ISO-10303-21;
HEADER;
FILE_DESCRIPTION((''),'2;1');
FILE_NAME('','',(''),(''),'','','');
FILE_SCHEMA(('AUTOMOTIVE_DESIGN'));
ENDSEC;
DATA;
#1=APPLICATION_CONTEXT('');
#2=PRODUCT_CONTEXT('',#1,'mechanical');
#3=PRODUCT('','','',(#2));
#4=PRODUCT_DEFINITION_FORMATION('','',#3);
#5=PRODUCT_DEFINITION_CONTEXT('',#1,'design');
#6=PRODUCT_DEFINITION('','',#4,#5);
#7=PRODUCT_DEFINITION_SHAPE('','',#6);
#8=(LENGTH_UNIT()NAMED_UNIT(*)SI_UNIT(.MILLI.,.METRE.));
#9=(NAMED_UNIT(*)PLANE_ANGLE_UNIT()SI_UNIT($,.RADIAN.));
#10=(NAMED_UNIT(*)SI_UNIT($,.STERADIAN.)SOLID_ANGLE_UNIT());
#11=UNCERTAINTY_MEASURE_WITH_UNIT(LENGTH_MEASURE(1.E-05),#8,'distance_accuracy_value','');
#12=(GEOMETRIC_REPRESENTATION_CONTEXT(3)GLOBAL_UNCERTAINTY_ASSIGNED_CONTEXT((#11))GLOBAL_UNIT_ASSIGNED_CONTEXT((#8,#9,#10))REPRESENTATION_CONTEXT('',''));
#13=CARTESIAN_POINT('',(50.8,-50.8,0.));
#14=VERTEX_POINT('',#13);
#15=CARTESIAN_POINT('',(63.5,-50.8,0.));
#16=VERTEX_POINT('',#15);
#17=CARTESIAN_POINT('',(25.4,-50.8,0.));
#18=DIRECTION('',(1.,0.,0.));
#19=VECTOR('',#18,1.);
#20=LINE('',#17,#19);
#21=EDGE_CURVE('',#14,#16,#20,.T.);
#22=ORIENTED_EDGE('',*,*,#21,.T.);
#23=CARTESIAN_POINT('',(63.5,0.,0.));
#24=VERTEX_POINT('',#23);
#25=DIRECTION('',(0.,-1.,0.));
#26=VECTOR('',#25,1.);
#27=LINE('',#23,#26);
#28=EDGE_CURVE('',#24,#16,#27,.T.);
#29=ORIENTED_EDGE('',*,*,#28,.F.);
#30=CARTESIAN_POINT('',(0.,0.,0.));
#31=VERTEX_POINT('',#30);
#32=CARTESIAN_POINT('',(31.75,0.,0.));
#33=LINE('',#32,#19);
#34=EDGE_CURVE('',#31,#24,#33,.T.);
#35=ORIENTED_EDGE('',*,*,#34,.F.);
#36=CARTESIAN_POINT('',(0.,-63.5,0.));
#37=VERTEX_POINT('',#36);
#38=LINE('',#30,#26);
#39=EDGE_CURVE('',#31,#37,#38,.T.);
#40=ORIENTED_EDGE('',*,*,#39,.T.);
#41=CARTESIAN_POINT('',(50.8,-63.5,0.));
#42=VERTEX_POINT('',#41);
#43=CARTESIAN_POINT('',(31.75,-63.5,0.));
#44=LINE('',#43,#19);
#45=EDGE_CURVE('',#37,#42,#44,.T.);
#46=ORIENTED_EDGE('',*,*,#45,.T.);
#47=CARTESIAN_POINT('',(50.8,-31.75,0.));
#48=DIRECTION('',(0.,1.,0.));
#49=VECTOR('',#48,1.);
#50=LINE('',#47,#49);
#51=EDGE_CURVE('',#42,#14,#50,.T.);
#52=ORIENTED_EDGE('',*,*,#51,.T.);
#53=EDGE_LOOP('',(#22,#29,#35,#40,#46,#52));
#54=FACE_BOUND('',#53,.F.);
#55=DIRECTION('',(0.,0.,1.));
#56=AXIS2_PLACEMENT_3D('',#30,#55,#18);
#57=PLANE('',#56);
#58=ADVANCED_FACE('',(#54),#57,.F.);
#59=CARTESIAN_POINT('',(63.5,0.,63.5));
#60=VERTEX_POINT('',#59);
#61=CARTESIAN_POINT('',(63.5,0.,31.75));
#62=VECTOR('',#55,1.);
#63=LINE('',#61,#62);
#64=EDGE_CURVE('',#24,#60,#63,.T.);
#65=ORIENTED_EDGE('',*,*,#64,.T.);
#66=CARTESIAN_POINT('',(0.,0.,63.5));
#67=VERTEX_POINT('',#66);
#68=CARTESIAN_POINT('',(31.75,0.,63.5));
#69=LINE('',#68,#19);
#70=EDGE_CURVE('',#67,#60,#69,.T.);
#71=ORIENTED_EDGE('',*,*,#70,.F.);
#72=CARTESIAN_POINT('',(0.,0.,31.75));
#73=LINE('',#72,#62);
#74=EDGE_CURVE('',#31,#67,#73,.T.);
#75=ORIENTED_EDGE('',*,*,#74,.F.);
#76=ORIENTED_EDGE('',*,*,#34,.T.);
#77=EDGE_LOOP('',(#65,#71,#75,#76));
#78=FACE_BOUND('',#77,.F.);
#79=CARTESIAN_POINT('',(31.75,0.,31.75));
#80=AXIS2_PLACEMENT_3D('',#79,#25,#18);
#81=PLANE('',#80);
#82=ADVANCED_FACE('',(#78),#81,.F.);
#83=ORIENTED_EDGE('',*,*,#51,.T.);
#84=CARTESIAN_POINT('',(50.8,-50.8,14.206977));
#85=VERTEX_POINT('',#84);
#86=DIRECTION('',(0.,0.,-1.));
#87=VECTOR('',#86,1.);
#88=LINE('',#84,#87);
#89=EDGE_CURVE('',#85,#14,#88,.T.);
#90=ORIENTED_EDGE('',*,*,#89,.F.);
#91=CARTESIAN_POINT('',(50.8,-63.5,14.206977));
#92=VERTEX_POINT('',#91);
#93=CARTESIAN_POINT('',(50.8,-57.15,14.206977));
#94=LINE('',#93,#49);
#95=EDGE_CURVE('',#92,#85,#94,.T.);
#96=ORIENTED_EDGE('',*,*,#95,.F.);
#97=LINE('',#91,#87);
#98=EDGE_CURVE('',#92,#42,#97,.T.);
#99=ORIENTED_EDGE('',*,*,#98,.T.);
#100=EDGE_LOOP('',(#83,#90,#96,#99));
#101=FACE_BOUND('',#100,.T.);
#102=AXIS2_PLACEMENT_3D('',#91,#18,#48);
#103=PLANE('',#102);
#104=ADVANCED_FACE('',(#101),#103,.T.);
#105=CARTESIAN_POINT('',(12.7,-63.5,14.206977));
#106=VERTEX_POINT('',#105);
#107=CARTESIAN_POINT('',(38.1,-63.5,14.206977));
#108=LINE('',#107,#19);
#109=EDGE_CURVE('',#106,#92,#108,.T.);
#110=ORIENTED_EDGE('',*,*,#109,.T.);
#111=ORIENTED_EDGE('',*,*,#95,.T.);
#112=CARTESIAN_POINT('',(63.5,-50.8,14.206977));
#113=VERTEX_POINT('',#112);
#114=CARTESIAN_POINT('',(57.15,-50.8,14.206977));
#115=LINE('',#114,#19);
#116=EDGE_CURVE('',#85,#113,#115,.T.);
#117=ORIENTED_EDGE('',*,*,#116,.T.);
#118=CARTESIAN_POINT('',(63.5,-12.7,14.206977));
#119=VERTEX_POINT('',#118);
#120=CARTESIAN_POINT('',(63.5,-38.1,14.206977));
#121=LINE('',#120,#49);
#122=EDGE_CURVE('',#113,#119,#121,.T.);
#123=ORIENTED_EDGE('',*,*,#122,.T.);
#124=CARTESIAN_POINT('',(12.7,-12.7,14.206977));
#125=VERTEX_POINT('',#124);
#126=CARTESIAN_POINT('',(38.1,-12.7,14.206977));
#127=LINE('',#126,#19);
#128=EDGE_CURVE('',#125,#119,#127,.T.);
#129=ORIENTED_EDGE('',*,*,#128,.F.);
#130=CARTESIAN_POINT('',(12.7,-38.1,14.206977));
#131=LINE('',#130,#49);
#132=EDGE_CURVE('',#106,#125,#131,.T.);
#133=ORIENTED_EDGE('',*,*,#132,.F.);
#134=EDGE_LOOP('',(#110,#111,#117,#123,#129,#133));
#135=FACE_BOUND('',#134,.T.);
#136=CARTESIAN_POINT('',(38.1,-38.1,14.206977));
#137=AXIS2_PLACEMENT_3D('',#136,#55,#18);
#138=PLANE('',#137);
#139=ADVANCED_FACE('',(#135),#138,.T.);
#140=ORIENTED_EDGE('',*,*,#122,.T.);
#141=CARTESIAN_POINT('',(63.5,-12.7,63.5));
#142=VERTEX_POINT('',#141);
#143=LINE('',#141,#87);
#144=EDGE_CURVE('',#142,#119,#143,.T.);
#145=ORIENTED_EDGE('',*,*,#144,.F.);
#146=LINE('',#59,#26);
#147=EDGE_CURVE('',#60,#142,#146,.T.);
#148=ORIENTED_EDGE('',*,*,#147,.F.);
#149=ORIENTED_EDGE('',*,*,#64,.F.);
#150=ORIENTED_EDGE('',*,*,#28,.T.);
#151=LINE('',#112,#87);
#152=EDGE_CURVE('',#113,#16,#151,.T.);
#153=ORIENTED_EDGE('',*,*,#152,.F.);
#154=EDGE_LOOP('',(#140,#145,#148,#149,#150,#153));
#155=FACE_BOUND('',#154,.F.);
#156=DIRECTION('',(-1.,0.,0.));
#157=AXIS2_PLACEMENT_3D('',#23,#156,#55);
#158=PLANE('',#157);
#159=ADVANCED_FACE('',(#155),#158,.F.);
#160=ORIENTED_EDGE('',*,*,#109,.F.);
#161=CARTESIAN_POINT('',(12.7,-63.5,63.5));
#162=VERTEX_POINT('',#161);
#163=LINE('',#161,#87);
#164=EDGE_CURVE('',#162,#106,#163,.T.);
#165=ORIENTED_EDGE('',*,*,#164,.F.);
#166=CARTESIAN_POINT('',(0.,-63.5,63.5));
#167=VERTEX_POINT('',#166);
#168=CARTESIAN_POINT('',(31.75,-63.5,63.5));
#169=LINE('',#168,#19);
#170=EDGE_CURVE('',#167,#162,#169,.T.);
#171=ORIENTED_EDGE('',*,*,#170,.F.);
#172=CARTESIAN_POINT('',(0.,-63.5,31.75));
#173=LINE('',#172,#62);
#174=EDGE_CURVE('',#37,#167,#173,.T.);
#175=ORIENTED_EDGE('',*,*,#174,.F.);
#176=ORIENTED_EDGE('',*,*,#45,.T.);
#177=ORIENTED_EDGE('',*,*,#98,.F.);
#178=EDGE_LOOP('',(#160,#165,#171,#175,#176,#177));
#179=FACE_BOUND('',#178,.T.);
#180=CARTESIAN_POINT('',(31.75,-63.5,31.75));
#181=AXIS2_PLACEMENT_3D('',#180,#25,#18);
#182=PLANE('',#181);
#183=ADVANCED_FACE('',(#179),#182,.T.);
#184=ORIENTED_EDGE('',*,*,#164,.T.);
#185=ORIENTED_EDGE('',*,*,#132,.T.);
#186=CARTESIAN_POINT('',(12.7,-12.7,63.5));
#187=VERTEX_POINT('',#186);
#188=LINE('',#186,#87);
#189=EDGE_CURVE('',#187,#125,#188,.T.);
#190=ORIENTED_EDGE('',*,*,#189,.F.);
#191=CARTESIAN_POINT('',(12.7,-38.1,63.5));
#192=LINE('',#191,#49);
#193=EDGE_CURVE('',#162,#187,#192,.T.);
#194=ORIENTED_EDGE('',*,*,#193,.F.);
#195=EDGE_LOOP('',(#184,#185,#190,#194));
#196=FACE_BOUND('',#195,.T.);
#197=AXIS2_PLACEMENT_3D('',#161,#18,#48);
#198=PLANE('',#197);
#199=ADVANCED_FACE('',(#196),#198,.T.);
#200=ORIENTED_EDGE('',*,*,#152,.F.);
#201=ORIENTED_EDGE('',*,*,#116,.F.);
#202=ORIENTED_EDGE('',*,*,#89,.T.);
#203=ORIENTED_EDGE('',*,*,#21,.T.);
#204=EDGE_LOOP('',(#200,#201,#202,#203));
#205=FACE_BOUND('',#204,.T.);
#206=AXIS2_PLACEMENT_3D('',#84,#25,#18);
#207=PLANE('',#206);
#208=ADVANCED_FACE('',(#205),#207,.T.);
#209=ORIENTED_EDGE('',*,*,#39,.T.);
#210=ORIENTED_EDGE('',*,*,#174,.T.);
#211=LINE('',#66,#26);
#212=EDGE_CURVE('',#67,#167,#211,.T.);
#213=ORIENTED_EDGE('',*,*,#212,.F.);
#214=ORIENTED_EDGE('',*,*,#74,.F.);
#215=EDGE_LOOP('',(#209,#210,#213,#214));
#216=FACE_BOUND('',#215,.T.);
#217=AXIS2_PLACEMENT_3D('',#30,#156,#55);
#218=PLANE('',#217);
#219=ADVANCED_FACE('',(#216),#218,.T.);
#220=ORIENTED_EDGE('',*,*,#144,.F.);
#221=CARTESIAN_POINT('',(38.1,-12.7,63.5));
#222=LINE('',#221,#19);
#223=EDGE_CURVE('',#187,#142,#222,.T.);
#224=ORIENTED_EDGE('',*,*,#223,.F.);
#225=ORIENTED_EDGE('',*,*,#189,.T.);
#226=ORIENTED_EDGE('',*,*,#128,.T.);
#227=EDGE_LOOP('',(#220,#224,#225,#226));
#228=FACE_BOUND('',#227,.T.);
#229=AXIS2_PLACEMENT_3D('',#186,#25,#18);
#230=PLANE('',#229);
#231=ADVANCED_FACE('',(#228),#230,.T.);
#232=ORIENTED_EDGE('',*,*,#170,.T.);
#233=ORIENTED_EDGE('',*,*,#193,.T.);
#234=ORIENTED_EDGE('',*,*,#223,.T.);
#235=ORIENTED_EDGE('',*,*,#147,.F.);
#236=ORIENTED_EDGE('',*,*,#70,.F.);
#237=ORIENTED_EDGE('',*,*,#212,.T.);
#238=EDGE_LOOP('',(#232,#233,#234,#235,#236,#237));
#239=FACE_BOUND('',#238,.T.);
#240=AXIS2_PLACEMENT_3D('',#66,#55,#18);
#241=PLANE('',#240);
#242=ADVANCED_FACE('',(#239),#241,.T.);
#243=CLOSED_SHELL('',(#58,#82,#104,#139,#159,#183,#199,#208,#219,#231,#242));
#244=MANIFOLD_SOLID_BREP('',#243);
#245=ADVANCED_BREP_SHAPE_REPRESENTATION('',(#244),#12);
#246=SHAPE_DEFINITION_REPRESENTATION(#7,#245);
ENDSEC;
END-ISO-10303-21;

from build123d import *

# Parameters (mm, degrees)
F0_W     = 63.5
F0_H     = 63.5
F1_DEPTH = 63.5
F2_W     = 50.8
F2_H     = 50.8
F3_DEPTH = 49.293023
F4_W     = 12.7
F4_H     = 12.7
F5_DEPTH = 25.4


with BuildPart() as f1:
    # F0 (on Front) → F1 (new body)
    with BuildSketch(Plane.XZ):
        with Locations((31.75, 31.75)):
            Rectangle(F0_W, F0_H)
    extrude(amount=F1_DEPTH)

    # F2 (on face) → F3 (cut)
    with BuildSketch(Plane.XY.offset(63.5)):
        with Locations((38.1, -38.1)):
            Rectangle(F2_W, F2_H)
    extrude(amount=-F3_DEPTH, mode=Mode.SUBTRACT)

    # F4 (on face) → F5 (cut)
    with BuildSketch(Plane.XY.offset(14.206977)):
        with Locations((57.15, -57.15)):
            Rectangle(F4_W, F4_H)
    extrude(amount=-F5_DEPTH, mode=Mode.SUBTRACT)


solid = f1.part
